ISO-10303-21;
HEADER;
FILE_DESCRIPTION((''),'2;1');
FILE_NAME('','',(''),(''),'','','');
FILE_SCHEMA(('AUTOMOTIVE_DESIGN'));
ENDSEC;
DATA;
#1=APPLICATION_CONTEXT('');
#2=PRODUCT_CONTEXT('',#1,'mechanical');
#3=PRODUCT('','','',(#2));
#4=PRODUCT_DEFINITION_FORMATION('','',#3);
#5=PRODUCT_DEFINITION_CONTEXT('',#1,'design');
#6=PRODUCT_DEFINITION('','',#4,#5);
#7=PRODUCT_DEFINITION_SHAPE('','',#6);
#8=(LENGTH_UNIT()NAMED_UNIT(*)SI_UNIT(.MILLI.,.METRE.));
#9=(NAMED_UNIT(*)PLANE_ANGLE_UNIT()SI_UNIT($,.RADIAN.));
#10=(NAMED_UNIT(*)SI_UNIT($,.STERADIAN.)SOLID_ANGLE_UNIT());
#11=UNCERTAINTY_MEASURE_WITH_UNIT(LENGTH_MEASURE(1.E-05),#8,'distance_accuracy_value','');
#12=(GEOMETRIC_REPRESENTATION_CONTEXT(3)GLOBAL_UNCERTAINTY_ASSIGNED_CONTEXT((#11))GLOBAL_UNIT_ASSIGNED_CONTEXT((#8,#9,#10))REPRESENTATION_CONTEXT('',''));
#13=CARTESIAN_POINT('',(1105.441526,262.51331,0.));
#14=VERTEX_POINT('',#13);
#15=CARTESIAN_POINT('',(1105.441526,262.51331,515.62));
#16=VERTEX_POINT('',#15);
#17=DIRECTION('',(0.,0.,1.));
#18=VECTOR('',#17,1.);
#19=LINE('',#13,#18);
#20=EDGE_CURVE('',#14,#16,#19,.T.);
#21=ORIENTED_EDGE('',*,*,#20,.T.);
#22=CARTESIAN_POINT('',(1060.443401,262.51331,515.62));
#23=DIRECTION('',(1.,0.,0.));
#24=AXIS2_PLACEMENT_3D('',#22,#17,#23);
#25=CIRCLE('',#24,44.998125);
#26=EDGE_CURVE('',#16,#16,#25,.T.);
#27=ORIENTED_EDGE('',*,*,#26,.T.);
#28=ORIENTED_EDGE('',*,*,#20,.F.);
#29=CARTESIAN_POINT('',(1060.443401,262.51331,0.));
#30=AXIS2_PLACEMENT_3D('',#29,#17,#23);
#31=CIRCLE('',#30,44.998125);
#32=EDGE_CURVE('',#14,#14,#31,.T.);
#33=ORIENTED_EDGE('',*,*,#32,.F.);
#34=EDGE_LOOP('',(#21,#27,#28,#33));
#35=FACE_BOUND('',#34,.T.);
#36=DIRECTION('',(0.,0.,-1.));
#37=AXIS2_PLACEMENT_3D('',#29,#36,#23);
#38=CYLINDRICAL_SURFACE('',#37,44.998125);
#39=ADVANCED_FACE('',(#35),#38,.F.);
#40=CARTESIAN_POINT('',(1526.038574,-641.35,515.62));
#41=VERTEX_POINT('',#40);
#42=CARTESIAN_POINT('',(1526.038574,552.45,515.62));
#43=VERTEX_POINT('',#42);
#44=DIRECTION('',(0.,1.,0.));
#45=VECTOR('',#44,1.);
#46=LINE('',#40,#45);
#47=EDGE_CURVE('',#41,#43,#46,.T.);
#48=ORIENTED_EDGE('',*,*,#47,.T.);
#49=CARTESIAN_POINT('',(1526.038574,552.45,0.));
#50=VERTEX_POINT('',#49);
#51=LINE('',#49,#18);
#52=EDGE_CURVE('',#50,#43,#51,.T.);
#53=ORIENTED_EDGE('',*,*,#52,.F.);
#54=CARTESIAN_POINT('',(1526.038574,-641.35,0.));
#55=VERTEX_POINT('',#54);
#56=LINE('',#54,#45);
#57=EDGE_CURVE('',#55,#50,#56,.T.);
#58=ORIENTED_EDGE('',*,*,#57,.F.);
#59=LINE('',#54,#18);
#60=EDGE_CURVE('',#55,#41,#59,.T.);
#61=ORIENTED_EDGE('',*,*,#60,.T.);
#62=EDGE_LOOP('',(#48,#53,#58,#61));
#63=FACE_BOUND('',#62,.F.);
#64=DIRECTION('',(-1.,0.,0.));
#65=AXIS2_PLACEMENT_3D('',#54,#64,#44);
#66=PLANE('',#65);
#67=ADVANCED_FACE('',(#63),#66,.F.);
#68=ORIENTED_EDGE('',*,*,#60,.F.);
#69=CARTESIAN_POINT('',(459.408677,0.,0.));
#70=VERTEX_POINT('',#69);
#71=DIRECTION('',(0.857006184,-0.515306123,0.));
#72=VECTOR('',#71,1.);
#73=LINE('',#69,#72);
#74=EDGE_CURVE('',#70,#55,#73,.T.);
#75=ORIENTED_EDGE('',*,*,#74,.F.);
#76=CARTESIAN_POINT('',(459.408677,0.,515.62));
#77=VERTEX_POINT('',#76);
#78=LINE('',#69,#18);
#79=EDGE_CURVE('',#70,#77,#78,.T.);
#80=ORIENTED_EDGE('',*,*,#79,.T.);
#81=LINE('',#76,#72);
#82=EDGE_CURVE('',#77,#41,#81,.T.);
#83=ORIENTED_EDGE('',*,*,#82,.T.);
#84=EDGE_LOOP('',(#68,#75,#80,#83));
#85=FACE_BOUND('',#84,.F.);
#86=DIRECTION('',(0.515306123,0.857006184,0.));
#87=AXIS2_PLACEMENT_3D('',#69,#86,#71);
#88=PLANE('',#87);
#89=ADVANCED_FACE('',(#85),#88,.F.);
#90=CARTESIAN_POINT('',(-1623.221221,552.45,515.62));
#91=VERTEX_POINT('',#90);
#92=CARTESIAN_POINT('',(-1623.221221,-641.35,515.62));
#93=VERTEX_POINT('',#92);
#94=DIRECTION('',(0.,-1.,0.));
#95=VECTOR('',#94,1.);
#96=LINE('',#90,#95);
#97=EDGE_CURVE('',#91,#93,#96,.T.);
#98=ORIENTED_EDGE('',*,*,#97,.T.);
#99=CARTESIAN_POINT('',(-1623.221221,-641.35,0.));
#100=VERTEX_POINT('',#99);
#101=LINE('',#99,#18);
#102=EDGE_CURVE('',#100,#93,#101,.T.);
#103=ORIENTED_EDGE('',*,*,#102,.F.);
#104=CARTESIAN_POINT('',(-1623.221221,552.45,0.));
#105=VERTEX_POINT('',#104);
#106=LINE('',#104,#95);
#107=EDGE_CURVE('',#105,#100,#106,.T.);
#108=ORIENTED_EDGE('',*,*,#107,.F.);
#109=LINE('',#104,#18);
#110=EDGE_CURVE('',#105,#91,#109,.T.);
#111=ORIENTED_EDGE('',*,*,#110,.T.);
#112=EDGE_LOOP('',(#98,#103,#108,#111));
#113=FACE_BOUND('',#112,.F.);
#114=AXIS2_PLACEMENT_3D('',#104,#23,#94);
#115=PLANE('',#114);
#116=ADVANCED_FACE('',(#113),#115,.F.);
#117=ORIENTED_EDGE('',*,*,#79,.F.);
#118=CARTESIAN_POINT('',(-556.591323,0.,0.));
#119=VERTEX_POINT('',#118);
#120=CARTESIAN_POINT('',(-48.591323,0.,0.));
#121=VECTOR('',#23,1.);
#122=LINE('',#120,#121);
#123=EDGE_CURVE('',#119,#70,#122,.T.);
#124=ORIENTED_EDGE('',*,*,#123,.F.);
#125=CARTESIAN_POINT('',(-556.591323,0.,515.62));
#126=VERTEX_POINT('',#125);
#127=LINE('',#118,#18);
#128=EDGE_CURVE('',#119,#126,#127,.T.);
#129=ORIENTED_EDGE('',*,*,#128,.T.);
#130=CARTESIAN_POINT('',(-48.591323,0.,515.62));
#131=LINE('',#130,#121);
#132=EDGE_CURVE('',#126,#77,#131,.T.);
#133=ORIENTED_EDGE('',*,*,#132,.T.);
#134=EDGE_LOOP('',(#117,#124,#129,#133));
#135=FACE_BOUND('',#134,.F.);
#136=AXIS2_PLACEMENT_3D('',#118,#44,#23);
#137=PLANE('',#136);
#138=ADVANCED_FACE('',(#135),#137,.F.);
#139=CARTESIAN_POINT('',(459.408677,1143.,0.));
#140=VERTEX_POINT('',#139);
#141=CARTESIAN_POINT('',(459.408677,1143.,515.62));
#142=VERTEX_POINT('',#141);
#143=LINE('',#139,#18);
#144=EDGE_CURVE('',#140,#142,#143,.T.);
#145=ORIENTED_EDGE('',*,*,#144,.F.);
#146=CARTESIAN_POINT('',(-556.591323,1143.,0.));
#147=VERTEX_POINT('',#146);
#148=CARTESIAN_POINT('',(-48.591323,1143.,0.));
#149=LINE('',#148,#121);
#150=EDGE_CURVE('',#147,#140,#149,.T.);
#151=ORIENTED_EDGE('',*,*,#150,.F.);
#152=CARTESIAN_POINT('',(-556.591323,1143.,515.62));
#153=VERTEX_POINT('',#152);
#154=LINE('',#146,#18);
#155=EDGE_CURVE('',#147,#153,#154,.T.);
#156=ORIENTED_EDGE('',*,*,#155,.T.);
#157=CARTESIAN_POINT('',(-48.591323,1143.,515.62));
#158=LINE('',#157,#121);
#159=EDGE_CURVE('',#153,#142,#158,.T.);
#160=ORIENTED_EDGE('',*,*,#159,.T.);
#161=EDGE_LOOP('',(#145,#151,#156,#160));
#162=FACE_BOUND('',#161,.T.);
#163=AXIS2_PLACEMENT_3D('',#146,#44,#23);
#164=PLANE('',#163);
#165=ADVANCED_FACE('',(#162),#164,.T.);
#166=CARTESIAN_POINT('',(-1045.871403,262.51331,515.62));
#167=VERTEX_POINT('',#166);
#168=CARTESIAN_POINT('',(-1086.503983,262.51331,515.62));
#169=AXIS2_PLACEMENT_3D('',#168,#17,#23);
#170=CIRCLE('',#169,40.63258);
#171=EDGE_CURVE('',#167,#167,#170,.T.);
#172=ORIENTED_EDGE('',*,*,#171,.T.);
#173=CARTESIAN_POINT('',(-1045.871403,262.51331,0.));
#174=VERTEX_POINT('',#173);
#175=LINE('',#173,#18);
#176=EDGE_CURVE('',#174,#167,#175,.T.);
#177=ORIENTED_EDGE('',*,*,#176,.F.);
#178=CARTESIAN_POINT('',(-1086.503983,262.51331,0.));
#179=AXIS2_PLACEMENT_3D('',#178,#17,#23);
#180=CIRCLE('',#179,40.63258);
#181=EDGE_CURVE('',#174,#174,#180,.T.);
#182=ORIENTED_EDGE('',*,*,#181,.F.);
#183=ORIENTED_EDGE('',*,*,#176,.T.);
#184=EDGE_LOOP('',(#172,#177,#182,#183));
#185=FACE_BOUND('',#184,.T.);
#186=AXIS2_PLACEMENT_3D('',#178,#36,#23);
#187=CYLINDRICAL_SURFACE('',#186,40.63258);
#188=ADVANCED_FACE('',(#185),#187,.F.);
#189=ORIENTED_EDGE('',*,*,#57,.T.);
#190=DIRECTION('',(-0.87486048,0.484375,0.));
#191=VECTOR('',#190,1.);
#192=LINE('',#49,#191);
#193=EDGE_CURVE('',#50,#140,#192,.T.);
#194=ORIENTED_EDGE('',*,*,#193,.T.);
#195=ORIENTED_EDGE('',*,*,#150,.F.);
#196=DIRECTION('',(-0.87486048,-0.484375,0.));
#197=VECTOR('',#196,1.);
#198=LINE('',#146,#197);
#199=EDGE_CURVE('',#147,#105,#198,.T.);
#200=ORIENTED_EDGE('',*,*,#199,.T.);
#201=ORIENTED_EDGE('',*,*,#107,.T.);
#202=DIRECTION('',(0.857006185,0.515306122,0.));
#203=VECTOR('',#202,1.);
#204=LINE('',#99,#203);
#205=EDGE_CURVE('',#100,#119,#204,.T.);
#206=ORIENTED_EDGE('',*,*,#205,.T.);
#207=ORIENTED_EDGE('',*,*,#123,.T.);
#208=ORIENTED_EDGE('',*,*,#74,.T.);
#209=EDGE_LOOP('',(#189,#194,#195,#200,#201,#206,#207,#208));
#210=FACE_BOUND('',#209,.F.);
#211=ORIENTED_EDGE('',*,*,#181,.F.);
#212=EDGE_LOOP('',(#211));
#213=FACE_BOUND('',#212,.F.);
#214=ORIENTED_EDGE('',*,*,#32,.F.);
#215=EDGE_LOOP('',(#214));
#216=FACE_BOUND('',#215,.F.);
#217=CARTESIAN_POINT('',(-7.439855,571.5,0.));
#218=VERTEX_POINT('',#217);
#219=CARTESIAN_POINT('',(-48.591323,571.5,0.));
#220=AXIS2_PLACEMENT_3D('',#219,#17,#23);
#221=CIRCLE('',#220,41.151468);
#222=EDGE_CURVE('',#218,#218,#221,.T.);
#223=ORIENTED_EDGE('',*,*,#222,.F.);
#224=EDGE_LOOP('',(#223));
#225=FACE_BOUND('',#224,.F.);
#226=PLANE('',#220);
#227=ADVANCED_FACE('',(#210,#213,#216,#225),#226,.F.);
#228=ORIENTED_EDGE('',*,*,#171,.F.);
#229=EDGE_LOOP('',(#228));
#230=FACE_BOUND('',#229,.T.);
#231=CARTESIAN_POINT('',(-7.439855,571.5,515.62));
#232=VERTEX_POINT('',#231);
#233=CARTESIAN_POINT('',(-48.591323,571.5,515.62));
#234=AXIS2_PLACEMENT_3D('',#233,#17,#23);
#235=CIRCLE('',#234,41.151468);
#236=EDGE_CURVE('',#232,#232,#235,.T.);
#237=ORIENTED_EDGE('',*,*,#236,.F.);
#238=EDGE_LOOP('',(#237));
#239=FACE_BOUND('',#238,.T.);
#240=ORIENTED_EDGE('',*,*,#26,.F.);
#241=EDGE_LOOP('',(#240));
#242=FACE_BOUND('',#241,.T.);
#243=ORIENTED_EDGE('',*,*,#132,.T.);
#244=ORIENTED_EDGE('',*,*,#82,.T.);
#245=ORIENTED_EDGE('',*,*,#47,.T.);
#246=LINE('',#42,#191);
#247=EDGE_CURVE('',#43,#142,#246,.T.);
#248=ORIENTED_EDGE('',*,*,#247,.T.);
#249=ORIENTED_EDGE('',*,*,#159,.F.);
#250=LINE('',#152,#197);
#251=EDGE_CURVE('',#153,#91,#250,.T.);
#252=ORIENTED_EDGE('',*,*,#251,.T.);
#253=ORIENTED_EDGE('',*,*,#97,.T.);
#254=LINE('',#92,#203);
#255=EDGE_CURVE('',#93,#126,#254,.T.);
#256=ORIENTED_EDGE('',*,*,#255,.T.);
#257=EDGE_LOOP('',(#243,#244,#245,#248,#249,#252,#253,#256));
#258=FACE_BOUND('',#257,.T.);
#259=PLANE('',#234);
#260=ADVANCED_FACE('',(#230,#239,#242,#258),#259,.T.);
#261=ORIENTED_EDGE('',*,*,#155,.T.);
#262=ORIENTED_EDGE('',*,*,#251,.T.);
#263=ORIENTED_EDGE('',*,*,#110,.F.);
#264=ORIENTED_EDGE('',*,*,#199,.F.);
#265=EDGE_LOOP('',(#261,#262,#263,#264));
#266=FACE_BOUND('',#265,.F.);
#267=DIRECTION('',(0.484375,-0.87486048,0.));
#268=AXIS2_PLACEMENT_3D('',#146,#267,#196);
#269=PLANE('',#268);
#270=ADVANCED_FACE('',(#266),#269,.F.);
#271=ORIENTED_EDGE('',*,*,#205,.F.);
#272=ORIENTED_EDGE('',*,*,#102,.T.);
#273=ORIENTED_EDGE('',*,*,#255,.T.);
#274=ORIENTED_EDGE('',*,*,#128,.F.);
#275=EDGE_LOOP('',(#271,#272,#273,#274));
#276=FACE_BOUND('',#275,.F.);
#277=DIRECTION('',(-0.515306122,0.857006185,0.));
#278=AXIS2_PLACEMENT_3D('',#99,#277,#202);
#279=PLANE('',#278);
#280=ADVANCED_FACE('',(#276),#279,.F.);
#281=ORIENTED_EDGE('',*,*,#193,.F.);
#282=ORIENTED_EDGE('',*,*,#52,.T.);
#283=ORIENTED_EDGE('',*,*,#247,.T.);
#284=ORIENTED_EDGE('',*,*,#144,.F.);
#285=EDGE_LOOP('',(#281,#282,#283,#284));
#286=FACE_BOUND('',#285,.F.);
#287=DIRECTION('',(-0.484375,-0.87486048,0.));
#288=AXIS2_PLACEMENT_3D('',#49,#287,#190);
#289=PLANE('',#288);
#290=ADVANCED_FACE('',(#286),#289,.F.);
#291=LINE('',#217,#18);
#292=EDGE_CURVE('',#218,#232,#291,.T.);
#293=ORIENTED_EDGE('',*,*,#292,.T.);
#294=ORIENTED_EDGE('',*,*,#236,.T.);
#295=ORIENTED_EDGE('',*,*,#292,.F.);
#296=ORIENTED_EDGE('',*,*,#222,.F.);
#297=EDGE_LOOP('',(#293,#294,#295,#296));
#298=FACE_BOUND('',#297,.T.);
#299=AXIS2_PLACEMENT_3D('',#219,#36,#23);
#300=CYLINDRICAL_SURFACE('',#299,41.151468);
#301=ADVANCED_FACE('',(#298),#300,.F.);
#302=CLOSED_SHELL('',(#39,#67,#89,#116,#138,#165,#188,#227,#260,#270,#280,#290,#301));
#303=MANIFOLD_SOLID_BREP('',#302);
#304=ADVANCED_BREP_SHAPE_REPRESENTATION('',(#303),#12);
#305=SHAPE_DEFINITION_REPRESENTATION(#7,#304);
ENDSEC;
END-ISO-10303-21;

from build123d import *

# Parameters (mm, degrees)
F0_W     = 1016
F0_H     = 1143
F0_R     = 41.151468
F0_R_2   = 40.63258
F0_R_3   = 44.998125
F1_DEPTH = 515.62


with BuildPart() as f1:
    # F0 (on Top) → F1 (new body)
    with BuildSketch(Plane.XY):
        with Locations((-48.591323, 571.5)):
            Rectangle(F0_W, F0_H)
        with Locations((-48.591323, 571.5)):
            Circle(F0_R, mode=Mode.SUBTRACT)
        Polygon((-556.591323, 0), (-556.591323, 1143), (-1623.221221, 552.45), (-1623.221221, -641.35), align=None)
        with Locations((-1086.503983, 262.51331)):
            Circle(F0_R_2, mode=Mode.SUBTRACT)
        Polygon((1526.038574, 552.45), (459.408677, 1143), (459.408677, 0), (1526.038574, -641.35), align=None)
        with Locations((1060.443401, 262.51331)):
            Circle(F0_R_3, mode=Mode.SUBTRACT)
    extrude(amount=F1_DEPTH)


solid = f1.part
